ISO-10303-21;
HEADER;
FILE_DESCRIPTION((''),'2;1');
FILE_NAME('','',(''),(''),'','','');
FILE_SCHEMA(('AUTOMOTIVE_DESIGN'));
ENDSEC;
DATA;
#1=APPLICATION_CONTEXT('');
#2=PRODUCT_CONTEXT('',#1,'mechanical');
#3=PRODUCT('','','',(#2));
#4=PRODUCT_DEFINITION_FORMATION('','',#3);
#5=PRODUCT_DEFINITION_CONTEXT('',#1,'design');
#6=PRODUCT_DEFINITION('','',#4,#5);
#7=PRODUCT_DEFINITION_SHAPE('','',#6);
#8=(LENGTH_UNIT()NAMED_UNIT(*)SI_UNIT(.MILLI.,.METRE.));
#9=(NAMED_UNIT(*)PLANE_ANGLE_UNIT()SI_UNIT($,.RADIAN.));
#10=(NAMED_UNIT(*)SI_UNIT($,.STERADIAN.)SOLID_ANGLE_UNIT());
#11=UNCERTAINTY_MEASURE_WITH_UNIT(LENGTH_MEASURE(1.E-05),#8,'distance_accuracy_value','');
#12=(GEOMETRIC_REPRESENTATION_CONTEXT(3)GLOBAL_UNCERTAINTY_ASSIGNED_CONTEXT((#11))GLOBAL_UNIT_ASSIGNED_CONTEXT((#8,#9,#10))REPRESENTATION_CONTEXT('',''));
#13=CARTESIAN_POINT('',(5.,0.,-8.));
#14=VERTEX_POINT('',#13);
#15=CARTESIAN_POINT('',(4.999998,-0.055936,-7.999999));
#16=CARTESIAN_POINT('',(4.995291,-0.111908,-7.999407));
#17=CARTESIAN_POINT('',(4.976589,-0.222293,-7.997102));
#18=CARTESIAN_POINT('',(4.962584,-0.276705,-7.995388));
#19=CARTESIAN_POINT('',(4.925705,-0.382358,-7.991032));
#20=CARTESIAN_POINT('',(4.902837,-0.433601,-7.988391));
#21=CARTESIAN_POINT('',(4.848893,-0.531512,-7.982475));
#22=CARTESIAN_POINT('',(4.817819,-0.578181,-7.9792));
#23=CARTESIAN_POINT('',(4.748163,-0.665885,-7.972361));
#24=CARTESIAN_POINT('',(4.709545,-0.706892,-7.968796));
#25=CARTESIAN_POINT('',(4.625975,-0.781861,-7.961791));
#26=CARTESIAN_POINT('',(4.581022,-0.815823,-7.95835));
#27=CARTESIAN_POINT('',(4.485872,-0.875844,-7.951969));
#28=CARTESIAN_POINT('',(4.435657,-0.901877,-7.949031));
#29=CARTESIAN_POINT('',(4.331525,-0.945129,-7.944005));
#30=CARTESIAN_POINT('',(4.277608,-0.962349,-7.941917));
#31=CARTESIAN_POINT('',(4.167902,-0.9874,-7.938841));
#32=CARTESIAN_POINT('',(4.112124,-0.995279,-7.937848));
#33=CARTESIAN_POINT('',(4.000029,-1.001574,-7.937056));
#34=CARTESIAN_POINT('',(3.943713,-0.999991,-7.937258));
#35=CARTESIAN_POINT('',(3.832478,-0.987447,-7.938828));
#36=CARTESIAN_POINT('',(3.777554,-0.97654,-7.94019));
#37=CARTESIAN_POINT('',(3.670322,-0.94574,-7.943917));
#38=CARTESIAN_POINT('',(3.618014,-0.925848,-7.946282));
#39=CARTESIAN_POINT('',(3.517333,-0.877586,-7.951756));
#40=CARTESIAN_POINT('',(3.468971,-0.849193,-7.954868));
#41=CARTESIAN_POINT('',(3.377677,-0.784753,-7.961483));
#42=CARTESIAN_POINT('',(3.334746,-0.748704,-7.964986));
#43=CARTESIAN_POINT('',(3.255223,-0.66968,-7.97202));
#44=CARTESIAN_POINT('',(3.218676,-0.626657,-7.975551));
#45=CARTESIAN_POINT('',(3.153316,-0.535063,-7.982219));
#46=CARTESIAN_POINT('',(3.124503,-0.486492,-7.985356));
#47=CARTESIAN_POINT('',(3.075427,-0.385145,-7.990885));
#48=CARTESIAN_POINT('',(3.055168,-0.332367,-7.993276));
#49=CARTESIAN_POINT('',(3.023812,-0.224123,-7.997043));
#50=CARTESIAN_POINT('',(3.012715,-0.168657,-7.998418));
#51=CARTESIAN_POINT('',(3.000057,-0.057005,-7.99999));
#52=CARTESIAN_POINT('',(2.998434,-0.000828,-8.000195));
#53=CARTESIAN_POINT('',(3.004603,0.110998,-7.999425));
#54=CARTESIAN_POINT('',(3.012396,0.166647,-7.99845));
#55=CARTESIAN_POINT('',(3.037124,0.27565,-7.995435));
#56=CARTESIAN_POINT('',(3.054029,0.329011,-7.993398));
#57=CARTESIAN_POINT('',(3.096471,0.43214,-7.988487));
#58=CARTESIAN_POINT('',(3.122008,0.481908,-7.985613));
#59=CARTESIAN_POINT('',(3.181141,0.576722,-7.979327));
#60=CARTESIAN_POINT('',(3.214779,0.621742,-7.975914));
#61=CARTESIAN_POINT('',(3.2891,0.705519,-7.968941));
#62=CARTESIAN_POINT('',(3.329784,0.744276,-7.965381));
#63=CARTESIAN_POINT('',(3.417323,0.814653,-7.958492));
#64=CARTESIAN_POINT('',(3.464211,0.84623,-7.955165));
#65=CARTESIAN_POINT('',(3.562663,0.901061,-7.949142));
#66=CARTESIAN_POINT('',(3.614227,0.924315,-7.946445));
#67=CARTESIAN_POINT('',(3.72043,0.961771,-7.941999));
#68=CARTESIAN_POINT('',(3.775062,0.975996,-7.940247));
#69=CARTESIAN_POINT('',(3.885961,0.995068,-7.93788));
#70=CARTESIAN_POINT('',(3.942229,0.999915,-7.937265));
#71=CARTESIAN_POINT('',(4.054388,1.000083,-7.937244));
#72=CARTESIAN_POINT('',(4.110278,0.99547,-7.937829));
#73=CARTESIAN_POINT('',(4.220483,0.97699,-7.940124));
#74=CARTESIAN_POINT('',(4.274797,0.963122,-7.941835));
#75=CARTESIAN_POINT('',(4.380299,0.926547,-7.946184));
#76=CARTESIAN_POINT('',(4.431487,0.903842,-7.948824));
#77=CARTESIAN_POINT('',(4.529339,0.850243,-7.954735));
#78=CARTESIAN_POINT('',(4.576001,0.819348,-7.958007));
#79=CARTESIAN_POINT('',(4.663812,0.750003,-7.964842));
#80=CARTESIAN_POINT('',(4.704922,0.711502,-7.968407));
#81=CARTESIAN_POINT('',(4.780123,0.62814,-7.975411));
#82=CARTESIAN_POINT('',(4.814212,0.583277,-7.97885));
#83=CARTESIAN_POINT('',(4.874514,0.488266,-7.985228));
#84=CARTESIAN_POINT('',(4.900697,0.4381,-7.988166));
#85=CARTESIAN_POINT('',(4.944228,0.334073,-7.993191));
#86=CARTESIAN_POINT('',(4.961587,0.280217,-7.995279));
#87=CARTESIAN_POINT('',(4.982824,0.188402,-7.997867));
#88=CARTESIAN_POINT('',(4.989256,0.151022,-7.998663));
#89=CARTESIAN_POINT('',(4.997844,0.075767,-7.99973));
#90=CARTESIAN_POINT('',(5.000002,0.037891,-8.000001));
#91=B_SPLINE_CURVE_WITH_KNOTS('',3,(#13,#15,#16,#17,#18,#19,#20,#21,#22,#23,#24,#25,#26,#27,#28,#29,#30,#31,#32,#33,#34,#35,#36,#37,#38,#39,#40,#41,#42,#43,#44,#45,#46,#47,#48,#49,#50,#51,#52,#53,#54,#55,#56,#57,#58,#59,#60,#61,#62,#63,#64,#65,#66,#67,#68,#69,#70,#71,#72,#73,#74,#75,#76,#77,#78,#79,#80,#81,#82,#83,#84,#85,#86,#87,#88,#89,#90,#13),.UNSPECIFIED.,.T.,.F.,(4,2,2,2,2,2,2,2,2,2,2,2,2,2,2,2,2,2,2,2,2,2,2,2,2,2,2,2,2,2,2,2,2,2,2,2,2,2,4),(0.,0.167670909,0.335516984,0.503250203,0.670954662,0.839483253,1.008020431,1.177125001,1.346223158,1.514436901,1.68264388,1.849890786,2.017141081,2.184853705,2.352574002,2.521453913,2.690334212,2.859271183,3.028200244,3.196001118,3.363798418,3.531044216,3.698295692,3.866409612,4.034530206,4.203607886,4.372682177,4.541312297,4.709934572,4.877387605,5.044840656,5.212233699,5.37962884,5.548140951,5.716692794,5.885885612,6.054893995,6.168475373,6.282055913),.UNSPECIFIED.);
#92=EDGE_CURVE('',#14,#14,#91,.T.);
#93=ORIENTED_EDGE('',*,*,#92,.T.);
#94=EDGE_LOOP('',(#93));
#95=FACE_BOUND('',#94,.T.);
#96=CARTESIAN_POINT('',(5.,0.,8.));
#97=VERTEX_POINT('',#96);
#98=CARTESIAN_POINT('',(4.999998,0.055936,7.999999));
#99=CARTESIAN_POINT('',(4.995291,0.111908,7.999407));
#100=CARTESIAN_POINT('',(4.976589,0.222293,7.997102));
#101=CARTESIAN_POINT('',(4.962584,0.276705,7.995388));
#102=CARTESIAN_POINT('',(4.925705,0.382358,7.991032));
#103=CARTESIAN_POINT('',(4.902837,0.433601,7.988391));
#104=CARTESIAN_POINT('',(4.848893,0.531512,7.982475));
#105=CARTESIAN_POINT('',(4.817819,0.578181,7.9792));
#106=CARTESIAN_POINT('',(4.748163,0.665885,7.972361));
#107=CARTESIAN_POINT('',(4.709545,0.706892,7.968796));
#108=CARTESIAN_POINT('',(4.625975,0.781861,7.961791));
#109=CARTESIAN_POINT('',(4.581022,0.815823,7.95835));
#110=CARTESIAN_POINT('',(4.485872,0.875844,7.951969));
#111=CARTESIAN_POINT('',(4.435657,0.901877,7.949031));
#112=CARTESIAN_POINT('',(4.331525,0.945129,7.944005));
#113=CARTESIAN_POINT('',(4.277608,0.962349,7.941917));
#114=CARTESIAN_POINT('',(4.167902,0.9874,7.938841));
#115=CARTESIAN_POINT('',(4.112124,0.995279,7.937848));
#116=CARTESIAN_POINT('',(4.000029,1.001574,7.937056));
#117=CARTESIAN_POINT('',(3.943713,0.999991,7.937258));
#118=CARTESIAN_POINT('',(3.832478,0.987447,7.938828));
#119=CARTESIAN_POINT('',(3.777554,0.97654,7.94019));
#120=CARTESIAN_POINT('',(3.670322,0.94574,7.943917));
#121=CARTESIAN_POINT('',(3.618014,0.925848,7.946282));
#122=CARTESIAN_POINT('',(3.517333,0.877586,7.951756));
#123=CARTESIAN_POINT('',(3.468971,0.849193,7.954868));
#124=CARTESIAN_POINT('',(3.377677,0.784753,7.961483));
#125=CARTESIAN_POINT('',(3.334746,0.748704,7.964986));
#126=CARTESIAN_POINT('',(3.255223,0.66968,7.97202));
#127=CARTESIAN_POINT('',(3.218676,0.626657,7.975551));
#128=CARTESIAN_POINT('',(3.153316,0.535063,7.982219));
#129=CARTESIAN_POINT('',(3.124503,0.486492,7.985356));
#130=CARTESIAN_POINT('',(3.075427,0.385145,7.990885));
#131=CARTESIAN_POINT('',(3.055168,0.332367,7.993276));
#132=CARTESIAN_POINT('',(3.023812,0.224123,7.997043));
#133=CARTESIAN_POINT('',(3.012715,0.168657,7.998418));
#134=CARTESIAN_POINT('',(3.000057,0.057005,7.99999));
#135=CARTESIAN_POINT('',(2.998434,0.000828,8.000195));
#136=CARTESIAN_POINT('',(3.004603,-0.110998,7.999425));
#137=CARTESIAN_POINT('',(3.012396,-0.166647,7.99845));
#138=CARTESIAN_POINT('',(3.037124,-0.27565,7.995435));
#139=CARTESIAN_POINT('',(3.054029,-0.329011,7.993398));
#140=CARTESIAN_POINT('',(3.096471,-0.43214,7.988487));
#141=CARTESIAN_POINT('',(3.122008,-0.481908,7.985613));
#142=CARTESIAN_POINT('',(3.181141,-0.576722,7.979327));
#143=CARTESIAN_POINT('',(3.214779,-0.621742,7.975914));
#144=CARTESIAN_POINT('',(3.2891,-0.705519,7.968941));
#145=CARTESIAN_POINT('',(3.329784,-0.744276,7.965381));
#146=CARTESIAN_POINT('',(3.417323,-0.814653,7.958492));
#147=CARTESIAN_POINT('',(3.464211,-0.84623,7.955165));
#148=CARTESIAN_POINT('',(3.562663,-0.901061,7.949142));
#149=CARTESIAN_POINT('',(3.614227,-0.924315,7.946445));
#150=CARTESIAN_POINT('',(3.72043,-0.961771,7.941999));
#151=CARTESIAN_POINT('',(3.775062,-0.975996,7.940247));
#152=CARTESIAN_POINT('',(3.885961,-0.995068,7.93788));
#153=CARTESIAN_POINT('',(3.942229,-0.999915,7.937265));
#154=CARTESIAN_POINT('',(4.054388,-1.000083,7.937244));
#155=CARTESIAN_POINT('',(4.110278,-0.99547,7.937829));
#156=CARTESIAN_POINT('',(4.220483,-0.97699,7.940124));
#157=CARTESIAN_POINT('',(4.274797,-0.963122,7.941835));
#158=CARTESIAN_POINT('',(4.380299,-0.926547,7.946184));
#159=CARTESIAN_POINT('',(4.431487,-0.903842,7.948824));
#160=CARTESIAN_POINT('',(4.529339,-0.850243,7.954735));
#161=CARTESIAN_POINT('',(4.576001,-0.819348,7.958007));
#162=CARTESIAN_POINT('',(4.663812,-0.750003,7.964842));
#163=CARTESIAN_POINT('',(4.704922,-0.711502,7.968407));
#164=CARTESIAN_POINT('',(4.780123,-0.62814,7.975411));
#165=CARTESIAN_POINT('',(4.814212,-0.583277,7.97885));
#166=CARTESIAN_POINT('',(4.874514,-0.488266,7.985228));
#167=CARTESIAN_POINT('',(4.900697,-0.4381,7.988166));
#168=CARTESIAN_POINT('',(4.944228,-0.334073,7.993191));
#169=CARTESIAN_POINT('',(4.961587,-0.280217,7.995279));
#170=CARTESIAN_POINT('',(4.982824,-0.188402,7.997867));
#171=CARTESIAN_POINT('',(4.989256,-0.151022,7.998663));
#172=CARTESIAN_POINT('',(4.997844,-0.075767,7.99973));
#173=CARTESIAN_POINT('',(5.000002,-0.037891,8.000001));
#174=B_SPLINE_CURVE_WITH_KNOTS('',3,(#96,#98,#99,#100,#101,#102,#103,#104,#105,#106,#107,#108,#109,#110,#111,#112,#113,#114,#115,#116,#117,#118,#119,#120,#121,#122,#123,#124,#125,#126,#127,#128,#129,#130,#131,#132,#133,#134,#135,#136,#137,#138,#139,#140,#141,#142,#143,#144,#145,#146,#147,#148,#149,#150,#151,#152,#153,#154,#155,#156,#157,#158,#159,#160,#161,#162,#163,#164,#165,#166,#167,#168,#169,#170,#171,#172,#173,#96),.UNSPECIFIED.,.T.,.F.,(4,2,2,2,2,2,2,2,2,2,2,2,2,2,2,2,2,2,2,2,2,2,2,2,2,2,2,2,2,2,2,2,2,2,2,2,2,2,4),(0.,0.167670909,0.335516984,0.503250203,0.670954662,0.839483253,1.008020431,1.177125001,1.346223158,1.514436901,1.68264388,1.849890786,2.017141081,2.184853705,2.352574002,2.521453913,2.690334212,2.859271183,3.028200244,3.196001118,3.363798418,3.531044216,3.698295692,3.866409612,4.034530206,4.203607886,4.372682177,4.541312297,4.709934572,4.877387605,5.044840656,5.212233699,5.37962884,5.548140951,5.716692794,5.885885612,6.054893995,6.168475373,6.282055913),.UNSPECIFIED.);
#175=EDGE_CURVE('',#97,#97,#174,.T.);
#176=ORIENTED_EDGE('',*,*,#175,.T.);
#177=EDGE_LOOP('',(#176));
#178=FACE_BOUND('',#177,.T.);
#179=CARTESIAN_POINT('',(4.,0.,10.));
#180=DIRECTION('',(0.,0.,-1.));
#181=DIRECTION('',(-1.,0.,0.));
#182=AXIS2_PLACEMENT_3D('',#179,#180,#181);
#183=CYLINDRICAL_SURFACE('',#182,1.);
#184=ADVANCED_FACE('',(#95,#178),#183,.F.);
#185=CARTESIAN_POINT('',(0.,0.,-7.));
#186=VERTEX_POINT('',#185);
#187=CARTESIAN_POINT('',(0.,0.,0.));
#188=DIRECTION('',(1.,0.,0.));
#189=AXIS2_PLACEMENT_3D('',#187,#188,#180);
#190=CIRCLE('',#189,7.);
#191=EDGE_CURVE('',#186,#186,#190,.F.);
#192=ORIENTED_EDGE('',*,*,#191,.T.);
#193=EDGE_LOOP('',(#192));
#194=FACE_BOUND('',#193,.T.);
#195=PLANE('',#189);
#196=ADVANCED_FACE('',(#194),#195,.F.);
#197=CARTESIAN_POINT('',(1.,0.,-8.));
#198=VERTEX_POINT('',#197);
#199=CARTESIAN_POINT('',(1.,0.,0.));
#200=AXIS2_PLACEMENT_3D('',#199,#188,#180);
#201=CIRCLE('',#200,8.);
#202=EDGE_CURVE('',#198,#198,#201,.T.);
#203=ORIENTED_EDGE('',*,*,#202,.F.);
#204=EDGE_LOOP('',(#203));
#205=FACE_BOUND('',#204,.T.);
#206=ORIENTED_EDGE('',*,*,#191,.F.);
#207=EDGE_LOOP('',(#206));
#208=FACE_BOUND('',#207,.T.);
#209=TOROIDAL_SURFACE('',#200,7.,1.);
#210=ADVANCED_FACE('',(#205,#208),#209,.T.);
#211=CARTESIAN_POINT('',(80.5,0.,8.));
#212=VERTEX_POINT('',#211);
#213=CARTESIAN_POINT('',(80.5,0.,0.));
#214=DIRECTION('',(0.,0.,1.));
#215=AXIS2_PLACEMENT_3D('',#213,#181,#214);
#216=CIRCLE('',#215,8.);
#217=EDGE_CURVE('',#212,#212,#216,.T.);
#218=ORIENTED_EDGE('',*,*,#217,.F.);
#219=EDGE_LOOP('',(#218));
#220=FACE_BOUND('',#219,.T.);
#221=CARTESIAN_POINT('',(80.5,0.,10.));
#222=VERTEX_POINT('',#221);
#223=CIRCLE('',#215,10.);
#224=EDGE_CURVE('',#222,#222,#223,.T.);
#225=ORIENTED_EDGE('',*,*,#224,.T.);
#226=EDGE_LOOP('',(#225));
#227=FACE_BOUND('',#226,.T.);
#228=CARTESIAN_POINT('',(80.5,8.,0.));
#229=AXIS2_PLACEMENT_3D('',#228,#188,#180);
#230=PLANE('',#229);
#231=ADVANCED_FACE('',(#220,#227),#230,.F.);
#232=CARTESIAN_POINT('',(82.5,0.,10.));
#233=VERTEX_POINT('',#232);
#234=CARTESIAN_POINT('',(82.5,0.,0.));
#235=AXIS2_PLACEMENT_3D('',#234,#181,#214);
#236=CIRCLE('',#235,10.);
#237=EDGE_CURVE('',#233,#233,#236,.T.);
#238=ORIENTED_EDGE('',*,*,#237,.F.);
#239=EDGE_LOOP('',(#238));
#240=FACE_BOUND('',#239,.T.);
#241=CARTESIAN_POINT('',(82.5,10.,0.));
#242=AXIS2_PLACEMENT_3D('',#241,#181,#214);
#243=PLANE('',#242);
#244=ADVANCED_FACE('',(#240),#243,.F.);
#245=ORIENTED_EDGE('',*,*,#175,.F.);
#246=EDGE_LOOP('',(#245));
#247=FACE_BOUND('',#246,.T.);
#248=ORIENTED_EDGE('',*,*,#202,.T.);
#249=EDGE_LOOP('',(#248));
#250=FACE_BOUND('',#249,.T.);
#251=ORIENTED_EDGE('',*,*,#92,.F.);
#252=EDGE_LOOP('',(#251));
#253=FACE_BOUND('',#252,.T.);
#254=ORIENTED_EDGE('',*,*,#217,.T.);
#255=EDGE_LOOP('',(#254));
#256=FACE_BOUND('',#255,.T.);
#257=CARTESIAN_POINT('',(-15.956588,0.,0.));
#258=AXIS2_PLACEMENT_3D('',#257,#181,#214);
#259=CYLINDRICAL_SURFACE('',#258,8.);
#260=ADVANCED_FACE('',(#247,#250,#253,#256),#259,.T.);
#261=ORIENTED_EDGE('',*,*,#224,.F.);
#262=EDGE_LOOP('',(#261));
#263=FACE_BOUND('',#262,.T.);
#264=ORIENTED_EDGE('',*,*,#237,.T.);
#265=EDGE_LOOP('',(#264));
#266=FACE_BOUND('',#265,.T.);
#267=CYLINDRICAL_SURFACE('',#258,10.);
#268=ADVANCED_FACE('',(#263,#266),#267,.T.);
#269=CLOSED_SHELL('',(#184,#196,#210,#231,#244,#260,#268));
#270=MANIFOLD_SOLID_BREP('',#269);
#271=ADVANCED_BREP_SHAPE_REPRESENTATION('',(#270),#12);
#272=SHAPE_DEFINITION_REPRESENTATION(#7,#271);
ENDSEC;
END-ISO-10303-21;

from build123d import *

# Parameters (mm, degrees)
SCHNITT_LINEAR_AUSTRAGEN1_REACH             = 12
SKIZZE2_R                                   = 1
SCHNITT_LINEAR_AUSTRAGEN1_DIRECTION_2_DEPTH = 11
VERRUNDUNG1_R                               = 1


with BuildPart() as part:
    # Skizze1 → Rotation1 (revolve)
    with BuildSketch(Plane.XY):
        Polygon((0, 0), (0, 8), (80.5, 8), (80.5, 10), (82.5, 10), (82.5, 0), align=None)
    revolve(axis=Axis((-15.956588212, 0, 0), (1, 0, 0)))

    # Skizze2 → Schnitt-Linear austragen1 (cut, up to next)
    with BuildSketch(Plane.XY, mode=Mode.PRIVATE) as schnitt_linear_austragen1_sk1:
        with Locations((4, 0)):
            Circle(SKIZZE2_R)
    schnitt_linear_austragen1_tool1 = extrude(schnitt_linear_austragen1_sk1.sketch, amount=-SCHNITT_LINEAR_AUSTRAGEN1_REACH, mode=Mode.PRIVATE) & part.part
    add(schnitt_linear_austragen1_tool1.solids().sort_by_distance((4, 0, 0))[0], mode=Mode.SUBTRACT)

    # Skizze2 → Schnitt-Linear austragen1 direction 2 (cut)
    with BuildSketch(Plane.XY):
        with Locations((4, 0)):
            Circle(SKIZZE2_R)
    extrude(amount=SCHNITT_LINEAR_AUSTRAGEN1_DIRECTION_2_DEPTH, mode=Mode.SUBTRACT)

    # Verrundung1
    verrundung1_edges = [part.edges().sort_by_distance(p)[0] for p in [
        (0, -8, 0),
    ]]
    fillet(verrundung1_edges, radius=VERRUNDUNG1_R)


solid = part.part
